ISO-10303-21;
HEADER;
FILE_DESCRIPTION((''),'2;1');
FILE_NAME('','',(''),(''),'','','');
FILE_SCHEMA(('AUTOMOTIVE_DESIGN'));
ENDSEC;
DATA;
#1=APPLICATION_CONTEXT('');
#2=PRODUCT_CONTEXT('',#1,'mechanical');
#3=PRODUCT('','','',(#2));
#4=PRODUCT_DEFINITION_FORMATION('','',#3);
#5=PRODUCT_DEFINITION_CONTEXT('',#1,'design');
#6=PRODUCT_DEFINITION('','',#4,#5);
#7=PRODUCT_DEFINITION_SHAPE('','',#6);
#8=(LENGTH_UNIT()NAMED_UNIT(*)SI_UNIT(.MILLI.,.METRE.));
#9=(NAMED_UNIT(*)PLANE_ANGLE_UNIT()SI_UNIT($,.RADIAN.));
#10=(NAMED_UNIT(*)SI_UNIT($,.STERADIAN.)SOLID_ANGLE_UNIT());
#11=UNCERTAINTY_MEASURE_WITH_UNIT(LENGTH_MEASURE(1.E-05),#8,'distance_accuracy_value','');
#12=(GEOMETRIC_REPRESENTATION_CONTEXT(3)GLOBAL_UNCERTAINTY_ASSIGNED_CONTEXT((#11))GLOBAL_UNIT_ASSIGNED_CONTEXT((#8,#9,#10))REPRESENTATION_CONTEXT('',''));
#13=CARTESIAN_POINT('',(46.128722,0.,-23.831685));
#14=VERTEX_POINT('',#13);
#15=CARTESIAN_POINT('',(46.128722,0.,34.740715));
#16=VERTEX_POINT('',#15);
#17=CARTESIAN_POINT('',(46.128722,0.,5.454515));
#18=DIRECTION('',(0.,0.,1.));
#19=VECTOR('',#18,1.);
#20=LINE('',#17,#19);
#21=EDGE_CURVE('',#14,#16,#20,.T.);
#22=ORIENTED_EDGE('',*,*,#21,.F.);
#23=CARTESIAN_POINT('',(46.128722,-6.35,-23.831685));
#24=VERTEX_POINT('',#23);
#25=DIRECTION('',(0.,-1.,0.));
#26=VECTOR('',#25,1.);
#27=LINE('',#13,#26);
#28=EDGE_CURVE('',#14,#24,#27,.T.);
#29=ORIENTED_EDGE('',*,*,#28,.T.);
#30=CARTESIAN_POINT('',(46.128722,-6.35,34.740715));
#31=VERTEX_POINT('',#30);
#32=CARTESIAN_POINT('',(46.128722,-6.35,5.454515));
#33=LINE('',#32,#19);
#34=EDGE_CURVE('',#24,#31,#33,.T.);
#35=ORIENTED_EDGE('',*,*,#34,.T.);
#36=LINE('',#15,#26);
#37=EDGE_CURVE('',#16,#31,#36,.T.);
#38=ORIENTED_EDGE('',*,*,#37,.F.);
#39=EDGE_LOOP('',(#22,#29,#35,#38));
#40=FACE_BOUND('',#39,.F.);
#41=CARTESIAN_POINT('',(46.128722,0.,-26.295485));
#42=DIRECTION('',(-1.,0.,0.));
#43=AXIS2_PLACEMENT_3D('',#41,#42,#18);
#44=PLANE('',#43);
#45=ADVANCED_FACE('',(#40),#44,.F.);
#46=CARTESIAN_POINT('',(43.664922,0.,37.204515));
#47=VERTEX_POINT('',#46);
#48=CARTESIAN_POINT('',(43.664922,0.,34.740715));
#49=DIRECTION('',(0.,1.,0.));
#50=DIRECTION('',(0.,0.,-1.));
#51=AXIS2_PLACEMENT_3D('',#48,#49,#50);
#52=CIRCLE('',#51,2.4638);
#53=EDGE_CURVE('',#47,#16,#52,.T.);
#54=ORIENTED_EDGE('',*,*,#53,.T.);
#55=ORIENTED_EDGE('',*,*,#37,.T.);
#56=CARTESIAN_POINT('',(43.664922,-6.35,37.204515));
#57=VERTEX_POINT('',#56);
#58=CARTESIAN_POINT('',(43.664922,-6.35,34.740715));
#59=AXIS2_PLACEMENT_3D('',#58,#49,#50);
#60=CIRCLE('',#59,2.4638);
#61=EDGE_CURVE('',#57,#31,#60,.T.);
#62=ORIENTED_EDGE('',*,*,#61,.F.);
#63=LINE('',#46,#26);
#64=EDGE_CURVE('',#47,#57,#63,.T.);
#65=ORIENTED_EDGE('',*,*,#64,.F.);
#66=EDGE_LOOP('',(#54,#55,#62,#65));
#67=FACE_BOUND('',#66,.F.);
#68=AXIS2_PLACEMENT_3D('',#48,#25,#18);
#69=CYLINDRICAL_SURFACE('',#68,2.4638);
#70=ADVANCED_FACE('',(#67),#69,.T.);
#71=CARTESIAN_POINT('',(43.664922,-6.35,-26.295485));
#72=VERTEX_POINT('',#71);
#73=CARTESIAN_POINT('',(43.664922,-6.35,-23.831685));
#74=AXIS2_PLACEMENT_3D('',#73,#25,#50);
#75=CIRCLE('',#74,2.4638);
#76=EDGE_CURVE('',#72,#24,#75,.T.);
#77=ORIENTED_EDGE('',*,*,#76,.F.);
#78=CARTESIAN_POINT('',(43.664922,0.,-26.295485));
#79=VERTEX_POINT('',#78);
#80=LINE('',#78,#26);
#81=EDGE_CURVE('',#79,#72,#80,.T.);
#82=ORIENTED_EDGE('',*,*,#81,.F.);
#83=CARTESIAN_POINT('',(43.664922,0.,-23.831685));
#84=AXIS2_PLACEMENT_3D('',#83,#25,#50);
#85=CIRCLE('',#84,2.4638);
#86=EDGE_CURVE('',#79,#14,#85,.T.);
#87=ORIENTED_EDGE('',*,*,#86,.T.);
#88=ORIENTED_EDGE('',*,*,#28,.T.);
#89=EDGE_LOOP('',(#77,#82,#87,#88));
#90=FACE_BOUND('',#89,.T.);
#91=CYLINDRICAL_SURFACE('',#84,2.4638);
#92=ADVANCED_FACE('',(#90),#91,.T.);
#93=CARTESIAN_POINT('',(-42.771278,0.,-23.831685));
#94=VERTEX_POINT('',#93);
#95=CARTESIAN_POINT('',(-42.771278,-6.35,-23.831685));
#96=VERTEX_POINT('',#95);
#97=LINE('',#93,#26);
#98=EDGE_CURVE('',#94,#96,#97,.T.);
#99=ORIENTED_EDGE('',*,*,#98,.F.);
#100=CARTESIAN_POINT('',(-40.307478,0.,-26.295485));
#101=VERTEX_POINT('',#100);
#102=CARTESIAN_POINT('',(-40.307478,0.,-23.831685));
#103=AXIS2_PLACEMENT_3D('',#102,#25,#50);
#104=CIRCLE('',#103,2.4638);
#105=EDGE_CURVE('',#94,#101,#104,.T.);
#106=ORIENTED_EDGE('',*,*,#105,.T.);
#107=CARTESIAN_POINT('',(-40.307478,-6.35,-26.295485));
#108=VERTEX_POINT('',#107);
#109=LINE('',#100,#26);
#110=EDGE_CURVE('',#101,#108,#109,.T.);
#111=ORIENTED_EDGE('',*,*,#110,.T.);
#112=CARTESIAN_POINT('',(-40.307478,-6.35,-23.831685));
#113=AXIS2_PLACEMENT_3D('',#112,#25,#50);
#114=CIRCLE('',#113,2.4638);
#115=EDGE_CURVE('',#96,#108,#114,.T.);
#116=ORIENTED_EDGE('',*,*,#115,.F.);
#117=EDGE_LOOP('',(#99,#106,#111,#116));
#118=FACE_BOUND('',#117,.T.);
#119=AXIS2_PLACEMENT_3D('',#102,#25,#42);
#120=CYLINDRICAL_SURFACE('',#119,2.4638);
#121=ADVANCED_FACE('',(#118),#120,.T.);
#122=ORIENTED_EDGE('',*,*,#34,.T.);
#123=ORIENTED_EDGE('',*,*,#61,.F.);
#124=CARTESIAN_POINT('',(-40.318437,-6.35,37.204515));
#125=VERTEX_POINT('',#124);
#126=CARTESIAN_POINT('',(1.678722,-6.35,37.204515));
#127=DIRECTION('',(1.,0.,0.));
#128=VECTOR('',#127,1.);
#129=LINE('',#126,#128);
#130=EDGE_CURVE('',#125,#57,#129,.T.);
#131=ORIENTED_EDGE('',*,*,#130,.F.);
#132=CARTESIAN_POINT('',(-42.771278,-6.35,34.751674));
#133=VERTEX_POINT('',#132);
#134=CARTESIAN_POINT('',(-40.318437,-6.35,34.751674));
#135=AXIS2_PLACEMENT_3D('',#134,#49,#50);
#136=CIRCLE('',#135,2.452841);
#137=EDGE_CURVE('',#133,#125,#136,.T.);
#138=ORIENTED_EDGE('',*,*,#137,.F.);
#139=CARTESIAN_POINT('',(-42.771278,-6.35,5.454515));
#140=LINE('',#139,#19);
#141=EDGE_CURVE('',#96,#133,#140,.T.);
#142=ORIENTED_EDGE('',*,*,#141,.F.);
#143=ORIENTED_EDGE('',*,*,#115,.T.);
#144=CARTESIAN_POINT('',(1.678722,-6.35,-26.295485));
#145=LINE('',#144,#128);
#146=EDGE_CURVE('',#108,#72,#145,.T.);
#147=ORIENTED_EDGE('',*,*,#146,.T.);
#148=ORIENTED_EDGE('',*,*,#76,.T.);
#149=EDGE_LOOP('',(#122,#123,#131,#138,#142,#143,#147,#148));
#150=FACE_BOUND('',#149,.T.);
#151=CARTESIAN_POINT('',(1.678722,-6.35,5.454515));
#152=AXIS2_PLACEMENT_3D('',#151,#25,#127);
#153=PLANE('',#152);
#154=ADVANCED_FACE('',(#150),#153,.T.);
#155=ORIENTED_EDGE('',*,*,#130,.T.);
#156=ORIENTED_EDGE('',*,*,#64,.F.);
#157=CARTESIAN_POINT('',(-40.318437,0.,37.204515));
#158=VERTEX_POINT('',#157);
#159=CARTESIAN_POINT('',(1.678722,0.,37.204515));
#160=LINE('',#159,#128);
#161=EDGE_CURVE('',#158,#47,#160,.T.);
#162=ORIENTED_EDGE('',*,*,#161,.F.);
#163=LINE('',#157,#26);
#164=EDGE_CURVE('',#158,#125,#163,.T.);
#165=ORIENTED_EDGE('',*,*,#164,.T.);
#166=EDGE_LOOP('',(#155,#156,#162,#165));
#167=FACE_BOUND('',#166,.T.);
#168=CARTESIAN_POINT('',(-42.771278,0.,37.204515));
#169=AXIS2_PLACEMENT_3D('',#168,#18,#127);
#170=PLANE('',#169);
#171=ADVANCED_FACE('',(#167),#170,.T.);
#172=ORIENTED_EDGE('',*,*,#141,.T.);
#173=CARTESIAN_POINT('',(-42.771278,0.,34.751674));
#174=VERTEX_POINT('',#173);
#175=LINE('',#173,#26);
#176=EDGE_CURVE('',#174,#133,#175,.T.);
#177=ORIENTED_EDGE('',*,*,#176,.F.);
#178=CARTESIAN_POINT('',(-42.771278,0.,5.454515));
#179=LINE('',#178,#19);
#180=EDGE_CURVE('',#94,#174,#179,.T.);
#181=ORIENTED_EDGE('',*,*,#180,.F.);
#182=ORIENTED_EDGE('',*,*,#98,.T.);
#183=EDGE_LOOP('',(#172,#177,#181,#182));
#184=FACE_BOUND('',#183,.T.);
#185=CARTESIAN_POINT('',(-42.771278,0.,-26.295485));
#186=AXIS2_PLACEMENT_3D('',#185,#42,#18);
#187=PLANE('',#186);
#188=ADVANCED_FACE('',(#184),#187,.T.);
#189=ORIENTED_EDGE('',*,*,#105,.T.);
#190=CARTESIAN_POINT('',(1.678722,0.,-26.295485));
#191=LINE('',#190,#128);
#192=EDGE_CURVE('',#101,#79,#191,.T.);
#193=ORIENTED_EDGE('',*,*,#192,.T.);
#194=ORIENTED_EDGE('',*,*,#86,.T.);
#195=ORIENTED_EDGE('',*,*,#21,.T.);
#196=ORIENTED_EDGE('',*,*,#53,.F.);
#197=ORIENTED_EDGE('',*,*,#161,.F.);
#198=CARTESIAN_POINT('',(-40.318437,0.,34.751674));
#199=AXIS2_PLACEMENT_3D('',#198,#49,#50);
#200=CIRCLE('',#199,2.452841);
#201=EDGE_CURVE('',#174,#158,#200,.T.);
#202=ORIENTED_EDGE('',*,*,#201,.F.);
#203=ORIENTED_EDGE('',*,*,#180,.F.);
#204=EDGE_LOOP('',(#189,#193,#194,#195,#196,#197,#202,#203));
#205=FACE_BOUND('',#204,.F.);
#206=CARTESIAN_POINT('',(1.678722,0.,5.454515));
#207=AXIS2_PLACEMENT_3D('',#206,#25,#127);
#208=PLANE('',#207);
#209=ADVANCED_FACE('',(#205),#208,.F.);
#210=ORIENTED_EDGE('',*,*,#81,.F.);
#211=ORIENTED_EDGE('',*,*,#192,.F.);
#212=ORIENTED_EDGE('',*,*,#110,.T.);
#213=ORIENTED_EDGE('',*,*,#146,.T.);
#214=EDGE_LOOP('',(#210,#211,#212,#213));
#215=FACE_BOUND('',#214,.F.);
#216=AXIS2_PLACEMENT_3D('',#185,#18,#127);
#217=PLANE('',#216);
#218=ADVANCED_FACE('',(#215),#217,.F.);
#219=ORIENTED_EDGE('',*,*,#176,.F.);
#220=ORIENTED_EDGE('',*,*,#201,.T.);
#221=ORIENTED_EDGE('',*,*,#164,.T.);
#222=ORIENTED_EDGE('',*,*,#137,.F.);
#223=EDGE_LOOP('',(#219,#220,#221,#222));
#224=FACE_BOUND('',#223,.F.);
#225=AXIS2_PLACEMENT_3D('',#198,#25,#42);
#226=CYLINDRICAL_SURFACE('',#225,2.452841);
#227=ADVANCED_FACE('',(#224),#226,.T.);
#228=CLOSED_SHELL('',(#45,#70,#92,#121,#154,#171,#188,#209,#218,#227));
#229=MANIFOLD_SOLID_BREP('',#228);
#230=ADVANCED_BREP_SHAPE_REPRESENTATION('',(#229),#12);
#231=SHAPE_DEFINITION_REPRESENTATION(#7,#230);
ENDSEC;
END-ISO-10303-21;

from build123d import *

# Parameters (mm, degrees)
F0_W     = 88.9
F0_H     = 63.5
F1_DEPTH = 6.35
F2_R     = 2.452841
F3_R     = 2.4638


with BuildPart() as f1:
    # F0 (on Front) → F1 (new body)
    with BuildSketch(Plane.XZ):
        with Locations((1.678722, 5.454515)):
            Rectangle(F0_W, F0_H)
    extrude(amount=F1_DEPTH)

    # F2
    f2_edges = [f1.edges().sort_by_distance(p)[0] for p in [
        (-42.771278, -3.175, 37.204515),
    ]]
    fillet(f2_edges, radius=F2_R)

    # F3
    f3_edges = [f1.edges().sort_by_distance(p)[0] for p in [
        (46.128722, -3.175, 37.204515),
        (-42.771278, -3.175, -26.295485),
        (46.128722, -3.175, -26.295485),
    ]]
    fillet(f3_edges, radius=F3_R)


solid = f1.part
